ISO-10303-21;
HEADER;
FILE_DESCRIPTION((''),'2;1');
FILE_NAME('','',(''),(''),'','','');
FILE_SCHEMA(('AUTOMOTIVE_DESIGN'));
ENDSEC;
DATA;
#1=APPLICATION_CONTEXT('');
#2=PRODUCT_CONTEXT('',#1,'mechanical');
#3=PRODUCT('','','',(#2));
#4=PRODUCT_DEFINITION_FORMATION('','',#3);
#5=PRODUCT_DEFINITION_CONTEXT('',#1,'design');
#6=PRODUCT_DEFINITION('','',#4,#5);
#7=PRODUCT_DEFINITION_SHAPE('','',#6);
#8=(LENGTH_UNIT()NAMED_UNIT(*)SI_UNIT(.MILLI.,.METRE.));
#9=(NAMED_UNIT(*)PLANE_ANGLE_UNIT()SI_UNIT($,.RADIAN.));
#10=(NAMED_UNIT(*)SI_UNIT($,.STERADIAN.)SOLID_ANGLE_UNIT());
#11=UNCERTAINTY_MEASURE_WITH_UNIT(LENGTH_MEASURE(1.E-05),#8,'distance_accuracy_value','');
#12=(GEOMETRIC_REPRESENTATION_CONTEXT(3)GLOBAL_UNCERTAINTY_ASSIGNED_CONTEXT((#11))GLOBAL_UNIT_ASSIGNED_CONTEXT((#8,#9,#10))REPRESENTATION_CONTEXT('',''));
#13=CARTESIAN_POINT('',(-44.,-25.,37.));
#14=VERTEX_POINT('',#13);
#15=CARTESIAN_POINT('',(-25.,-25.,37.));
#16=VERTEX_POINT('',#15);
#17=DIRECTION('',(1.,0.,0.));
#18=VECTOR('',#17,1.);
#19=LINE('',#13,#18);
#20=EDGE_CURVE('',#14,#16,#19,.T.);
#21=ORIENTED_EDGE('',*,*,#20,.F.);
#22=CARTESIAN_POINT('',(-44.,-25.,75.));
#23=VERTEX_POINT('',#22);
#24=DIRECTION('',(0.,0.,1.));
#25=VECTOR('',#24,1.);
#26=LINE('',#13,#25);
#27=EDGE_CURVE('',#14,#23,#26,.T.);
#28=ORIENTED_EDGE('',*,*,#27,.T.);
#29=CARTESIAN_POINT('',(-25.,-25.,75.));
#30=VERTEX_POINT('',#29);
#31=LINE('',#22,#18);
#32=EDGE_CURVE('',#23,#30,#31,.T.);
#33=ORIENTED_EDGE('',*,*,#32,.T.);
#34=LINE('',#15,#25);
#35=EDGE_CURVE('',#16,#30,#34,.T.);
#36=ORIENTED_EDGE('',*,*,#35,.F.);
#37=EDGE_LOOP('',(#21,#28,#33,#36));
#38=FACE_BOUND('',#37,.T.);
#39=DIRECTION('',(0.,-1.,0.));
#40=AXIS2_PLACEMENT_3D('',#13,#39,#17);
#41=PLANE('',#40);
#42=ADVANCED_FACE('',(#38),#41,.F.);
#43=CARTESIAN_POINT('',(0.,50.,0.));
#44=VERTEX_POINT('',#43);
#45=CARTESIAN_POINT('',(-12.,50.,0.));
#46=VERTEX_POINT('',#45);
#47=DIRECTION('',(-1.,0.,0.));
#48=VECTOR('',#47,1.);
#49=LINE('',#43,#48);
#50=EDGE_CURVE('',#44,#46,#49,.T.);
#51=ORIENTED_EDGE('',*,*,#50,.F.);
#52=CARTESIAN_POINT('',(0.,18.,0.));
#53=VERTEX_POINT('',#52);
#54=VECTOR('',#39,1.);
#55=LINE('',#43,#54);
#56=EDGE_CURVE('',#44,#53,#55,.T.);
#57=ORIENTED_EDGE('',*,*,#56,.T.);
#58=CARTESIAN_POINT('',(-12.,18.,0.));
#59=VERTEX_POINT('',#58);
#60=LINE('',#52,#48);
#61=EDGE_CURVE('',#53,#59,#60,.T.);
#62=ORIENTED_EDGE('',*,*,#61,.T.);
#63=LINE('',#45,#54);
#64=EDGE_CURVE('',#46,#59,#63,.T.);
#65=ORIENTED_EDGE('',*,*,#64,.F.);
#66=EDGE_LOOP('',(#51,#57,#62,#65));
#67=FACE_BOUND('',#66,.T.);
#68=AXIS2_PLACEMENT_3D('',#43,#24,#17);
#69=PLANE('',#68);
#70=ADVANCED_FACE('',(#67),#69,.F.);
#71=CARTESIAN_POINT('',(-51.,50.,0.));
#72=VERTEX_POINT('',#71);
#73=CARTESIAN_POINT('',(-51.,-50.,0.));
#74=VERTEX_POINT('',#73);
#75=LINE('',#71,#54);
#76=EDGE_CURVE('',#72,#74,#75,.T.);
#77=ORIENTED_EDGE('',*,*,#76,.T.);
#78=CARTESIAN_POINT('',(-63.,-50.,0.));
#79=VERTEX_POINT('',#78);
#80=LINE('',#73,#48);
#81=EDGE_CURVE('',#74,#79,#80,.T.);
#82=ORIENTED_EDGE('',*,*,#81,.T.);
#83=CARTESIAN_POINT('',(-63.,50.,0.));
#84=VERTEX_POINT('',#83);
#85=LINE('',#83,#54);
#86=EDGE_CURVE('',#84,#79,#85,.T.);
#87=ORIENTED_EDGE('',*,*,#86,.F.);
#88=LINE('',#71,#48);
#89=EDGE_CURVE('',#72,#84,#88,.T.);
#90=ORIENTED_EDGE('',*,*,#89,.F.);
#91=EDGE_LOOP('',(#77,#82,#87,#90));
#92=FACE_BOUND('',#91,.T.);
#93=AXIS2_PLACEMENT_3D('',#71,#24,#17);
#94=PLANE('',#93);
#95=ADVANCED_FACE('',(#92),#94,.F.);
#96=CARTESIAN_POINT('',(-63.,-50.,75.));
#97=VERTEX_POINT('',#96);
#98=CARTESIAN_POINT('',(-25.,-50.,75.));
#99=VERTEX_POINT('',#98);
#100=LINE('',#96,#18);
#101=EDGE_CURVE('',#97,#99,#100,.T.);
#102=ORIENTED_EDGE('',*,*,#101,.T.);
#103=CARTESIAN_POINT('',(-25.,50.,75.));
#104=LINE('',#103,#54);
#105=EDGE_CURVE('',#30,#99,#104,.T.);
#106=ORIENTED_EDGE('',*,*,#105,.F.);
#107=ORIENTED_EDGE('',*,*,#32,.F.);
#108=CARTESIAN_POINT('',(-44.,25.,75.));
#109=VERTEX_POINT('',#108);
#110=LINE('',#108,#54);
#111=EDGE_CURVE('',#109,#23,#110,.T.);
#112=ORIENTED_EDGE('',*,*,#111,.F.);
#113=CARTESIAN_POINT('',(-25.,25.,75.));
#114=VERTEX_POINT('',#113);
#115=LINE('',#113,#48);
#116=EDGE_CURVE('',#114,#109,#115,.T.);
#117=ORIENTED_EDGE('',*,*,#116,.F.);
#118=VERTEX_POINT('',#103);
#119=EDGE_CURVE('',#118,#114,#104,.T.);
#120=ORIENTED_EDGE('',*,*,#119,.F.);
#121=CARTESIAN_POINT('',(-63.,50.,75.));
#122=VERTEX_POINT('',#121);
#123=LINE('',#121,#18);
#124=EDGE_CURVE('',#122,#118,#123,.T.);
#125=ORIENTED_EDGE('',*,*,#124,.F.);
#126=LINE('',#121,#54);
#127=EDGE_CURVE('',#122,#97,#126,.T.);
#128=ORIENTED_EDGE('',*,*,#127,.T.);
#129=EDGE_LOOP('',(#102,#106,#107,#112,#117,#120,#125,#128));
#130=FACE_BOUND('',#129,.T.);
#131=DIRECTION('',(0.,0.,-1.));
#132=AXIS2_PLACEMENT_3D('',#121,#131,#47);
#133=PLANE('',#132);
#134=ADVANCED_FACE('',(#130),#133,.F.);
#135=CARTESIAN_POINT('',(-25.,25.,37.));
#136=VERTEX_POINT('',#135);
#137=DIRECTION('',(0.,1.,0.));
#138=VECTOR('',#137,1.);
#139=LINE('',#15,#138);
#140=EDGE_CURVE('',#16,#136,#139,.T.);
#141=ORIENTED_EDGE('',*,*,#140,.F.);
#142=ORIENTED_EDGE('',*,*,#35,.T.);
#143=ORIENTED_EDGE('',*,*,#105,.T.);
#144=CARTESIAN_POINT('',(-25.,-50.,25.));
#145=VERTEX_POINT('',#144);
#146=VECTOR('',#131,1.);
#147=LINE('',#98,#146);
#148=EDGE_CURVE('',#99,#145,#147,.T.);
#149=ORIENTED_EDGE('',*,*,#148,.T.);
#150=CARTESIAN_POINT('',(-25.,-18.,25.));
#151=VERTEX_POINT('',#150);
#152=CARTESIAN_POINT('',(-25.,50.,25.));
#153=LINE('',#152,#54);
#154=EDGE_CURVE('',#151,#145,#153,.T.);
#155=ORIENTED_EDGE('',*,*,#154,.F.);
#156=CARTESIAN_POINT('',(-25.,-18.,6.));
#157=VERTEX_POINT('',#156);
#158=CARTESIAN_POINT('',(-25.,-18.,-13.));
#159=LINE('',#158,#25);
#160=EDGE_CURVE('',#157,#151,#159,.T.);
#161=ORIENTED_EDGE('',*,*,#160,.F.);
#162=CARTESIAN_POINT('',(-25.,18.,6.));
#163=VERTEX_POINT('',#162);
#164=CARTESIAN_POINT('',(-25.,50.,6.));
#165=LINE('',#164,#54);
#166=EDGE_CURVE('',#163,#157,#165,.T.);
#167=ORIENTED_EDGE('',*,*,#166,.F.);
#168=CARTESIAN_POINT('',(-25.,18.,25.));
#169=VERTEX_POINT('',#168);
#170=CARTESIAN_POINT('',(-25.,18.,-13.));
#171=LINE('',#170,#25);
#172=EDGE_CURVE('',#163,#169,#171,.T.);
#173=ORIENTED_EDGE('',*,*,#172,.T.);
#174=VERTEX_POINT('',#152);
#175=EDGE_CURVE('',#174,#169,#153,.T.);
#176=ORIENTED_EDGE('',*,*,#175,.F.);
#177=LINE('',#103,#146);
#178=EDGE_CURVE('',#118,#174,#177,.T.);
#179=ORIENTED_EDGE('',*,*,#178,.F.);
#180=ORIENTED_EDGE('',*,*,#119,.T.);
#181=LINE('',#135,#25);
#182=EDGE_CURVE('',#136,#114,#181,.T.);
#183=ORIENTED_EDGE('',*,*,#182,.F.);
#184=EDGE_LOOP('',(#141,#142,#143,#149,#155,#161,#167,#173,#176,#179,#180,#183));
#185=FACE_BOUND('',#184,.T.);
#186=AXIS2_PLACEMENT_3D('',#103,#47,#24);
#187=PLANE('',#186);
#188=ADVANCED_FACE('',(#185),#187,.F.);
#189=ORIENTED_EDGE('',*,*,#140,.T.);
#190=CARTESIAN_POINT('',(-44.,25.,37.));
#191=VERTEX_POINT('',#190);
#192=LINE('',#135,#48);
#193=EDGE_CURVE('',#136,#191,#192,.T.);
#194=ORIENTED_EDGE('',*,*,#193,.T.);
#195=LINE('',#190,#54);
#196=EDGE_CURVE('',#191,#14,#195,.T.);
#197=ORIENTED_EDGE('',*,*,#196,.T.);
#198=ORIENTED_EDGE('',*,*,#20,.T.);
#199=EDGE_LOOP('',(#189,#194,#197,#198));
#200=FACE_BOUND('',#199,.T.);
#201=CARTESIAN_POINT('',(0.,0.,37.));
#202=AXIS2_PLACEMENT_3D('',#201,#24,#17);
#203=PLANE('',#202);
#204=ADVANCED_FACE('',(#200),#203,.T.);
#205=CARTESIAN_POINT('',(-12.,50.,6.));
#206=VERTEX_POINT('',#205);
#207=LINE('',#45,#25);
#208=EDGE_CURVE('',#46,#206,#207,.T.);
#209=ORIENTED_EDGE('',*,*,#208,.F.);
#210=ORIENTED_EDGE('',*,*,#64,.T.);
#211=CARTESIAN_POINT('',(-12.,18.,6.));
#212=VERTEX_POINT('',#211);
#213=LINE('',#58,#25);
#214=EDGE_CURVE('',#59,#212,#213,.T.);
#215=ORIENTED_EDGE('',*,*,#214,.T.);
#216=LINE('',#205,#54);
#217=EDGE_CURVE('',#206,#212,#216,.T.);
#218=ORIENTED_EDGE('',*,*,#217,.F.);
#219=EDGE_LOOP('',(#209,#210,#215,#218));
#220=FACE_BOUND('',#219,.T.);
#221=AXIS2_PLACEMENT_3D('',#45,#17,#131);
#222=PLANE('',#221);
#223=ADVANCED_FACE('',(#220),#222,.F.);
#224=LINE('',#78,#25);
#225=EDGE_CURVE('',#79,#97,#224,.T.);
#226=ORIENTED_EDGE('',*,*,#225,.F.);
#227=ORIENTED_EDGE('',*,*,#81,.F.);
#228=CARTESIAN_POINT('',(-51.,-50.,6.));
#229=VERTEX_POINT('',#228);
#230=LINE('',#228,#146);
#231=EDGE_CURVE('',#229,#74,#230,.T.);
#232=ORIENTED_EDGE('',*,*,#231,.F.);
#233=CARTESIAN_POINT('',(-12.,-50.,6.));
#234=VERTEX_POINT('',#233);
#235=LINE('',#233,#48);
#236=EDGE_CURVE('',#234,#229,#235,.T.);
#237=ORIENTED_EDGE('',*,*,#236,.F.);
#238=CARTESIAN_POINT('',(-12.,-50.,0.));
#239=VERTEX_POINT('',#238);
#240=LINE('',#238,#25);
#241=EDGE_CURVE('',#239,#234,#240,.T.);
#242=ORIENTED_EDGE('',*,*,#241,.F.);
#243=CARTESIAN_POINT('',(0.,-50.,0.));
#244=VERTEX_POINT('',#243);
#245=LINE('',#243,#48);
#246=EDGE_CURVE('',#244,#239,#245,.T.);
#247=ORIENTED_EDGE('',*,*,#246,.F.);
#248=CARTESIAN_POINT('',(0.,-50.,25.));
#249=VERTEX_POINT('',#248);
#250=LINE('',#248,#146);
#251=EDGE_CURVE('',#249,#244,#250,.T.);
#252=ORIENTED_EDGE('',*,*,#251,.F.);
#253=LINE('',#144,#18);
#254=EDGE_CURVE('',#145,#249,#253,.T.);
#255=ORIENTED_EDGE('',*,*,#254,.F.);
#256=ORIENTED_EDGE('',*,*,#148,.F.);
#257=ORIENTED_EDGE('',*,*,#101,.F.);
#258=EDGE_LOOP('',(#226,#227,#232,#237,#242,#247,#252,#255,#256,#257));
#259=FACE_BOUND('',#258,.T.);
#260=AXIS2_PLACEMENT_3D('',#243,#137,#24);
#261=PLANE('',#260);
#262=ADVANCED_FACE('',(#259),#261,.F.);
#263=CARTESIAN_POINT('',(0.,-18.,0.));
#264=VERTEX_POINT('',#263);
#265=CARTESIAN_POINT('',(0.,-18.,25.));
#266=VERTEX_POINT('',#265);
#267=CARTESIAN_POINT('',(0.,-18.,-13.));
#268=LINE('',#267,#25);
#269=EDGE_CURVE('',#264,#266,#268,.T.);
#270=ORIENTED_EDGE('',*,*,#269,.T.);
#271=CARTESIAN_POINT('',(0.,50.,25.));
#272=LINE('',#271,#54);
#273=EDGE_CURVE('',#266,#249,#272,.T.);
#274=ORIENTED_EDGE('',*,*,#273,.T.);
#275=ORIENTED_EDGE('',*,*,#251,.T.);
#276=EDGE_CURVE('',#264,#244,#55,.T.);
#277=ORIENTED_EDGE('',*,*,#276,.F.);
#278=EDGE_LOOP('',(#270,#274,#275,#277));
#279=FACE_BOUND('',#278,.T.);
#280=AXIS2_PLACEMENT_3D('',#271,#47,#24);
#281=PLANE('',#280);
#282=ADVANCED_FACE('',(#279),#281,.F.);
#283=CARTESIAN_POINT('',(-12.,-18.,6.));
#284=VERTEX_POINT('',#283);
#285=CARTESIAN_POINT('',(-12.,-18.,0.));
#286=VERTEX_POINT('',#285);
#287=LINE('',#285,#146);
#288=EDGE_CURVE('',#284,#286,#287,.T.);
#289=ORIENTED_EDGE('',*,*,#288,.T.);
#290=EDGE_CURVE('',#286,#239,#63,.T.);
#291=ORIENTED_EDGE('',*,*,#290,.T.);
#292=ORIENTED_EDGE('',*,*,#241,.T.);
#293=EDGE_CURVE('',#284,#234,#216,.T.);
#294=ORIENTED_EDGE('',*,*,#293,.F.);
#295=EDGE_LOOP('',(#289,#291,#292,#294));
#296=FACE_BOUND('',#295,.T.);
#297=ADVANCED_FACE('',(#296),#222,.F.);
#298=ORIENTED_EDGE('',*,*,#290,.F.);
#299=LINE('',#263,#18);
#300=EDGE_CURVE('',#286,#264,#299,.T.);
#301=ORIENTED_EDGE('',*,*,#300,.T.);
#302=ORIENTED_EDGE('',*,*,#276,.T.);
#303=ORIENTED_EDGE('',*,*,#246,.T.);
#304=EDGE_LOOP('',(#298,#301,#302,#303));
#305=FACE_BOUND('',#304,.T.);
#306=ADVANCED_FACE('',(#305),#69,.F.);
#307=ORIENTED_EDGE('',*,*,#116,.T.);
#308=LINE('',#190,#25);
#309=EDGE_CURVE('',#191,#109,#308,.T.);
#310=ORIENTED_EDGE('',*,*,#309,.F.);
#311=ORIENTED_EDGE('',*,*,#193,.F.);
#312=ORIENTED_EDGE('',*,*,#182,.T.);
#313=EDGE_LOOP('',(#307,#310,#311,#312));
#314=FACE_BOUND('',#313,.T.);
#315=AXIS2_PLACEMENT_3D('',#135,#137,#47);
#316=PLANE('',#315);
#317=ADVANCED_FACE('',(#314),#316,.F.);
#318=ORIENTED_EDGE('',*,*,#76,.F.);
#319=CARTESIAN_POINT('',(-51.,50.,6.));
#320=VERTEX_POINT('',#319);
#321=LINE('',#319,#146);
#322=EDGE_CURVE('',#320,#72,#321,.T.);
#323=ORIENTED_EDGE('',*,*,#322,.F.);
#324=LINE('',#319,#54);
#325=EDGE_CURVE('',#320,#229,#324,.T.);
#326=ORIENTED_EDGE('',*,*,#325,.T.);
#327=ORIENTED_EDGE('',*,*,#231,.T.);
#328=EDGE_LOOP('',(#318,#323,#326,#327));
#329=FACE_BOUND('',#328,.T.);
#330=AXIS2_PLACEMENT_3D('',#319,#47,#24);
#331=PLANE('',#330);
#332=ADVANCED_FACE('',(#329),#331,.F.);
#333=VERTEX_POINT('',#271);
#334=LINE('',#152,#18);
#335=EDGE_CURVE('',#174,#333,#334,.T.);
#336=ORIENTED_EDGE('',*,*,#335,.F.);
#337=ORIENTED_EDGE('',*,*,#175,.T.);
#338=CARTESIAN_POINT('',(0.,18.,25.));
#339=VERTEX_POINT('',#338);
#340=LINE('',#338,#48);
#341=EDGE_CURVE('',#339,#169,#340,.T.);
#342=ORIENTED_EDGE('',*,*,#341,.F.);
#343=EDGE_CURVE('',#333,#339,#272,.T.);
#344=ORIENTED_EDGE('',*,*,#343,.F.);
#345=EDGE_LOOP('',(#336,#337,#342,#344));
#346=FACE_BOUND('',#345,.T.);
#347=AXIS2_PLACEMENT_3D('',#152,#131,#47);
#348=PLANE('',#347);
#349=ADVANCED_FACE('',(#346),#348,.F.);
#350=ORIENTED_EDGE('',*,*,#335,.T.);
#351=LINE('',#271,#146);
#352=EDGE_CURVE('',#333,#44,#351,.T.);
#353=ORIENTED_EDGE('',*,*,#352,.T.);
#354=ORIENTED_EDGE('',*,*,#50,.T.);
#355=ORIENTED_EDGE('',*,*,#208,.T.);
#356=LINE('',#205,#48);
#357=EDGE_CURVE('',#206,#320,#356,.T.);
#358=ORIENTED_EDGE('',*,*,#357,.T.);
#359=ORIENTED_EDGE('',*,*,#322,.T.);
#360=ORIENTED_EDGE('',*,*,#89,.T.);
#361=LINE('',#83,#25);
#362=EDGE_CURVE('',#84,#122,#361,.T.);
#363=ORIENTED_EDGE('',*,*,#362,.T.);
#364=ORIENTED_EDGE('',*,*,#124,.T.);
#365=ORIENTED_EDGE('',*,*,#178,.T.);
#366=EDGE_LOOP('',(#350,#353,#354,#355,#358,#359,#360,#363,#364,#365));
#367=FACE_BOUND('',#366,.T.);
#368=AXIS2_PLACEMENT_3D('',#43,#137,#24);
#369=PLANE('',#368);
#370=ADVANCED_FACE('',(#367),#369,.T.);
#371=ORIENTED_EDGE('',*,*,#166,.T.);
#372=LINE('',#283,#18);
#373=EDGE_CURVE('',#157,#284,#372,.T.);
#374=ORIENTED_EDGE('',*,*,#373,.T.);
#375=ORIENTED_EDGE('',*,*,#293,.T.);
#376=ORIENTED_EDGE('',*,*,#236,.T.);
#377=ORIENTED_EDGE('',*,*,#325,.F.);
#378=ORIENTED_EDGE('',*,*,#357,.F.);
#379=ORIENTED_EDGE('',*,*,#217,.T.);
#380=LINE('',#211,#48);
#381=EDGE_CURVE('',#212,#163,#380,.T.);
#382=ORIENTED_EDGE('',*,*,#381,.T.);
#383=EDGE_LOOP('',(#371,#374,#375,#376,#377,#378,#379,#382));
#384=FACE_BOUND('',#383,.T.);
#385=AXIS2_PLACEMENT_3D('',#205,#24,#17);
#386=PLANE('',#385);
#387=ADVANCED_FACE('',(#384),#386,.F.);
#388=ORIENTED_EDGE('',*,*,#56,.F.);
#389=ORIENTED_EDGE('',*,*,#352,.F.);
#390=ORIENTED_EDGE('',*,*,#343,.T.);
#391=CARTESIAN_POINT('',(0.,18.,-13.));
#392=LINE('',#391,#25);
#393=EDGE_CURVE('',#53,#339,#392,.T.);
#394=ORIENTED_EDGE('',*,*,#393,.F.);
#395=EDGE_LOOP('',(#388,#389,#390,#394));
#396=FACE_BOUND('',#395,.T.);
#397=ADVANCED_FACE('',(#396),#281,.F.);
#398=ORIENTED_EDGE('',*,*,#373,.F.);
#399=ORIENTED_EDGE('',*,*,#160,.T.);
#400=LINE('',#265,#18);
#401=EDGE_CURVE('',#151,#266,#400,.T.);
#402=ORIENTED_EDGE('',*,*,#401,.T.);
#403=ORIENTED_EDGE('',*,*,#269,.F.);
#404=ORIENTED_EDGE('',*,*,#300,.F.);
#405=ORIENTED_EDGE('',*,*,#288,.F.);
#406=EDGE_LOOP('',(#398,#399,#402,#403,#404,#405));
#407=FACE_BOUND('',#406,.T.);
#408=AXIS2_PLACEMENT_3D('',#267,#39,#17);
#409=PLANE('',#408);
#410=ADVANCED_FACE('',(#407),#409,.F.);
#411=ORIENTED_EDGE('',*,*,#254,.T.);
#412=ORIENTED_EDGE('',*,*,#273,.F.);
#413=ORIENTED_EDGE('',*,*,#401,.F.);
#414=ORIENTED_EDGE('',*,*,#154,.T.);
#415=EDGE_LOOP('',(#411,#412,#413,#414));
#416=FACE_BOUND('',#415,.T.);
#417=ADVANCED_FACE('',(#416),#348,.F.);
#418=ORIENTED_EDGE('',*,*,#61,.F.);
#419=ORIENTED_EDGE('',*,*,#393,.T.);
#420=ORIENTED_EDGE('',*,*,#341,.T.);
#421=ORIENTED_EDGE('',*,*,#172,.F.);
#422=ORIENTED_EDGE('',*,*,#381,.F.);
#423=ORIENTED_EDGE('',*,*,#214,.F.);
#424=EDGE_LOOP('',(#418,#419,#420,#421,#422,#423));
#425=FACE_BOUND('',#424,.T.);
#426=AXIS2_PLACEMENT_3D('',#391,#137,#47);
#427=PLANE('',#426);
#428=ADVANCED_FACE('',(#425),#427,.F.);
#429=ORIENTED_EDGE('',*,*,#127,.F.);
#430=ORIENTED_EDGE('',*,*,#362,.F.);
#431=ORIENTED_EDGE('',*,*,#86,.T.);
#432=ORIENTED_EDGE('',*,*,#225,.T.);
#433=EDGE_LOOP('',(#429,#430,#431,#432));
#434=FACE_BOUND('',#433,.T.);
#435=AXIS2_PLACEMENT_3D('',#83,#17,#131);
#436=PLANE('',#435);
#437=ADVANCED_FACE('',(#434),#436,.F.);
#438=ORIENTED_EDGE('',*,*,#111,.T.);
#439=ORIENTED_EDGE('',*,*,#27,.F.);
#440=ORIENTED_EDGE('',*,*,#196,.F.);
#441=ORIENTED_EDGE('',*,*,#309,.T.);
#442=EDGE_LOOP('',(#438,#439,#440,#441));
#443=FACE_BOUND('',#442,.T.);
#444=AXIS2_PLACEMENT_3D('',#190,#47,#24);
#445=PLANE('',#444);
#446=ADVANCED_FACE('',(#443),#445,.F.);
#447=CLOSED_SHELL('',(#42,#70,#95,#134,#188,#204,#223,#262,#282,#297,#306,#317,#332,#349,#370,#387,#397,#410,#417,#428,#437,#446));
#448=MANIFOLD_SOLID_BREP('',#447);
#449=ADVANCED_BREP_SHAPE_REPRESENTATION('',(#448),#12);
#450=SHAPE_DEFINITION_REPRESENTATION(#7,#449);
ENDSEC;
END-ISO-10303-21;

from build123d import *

# Parameters (mm, degrees)
BOSS_EXTRUDE1_DEPTH = 50
SKETCH2_W           = 19
SKETCH2_H           = 50
CUT_EXTRUDE1_DEPTH  = 38
SKETCH3_W           = 25
SKETCH3_H           = 36
CUT_EXTRUDE2_DEPTH  = 38


with BuildPart() as part:
    # Sketch1 → Boss-Extrude1 (new, symmetric)
    with BuildSketch(Plane(origin=(0, 0, 0), x_dir=(-1, 0, 0), z_dir=(0, 1, 0))):
        Polygon((0, 0), (12, 0), (12, 6), (51, 6), (51, 0), (63, 0), (63, 75), (25, 75), (25, 25), (0, 25), align=None)
    extrude(amount=BOSS_EXTRUDE1_DEPTH, both=True)

    # Sketch2 → Cut-Extrude1 (cut)
    with BuildSketch(Plane.XY.offset(75)):
        with Locations((-34.5, 0)):
            Rectangle(SKETCH2_W, SKETCH2_H)
    extrude(amount=-CUT_EXTRUDE1_DEPTH, mode=Mode.SUBTRACT)

    # Sketch3 → Cut-Extrude2 (cut)
    with BuildSketch(Plane.XY.offset(25)):
        with Locations((-12.5, 0)):
            Rectangle(SKETCH3_W, SKETCH3_H)
    extrude(amount=-CUT_EXTRUDE2_DEPTH, mode=Mode.SUBTRACT)


solid = part.part
